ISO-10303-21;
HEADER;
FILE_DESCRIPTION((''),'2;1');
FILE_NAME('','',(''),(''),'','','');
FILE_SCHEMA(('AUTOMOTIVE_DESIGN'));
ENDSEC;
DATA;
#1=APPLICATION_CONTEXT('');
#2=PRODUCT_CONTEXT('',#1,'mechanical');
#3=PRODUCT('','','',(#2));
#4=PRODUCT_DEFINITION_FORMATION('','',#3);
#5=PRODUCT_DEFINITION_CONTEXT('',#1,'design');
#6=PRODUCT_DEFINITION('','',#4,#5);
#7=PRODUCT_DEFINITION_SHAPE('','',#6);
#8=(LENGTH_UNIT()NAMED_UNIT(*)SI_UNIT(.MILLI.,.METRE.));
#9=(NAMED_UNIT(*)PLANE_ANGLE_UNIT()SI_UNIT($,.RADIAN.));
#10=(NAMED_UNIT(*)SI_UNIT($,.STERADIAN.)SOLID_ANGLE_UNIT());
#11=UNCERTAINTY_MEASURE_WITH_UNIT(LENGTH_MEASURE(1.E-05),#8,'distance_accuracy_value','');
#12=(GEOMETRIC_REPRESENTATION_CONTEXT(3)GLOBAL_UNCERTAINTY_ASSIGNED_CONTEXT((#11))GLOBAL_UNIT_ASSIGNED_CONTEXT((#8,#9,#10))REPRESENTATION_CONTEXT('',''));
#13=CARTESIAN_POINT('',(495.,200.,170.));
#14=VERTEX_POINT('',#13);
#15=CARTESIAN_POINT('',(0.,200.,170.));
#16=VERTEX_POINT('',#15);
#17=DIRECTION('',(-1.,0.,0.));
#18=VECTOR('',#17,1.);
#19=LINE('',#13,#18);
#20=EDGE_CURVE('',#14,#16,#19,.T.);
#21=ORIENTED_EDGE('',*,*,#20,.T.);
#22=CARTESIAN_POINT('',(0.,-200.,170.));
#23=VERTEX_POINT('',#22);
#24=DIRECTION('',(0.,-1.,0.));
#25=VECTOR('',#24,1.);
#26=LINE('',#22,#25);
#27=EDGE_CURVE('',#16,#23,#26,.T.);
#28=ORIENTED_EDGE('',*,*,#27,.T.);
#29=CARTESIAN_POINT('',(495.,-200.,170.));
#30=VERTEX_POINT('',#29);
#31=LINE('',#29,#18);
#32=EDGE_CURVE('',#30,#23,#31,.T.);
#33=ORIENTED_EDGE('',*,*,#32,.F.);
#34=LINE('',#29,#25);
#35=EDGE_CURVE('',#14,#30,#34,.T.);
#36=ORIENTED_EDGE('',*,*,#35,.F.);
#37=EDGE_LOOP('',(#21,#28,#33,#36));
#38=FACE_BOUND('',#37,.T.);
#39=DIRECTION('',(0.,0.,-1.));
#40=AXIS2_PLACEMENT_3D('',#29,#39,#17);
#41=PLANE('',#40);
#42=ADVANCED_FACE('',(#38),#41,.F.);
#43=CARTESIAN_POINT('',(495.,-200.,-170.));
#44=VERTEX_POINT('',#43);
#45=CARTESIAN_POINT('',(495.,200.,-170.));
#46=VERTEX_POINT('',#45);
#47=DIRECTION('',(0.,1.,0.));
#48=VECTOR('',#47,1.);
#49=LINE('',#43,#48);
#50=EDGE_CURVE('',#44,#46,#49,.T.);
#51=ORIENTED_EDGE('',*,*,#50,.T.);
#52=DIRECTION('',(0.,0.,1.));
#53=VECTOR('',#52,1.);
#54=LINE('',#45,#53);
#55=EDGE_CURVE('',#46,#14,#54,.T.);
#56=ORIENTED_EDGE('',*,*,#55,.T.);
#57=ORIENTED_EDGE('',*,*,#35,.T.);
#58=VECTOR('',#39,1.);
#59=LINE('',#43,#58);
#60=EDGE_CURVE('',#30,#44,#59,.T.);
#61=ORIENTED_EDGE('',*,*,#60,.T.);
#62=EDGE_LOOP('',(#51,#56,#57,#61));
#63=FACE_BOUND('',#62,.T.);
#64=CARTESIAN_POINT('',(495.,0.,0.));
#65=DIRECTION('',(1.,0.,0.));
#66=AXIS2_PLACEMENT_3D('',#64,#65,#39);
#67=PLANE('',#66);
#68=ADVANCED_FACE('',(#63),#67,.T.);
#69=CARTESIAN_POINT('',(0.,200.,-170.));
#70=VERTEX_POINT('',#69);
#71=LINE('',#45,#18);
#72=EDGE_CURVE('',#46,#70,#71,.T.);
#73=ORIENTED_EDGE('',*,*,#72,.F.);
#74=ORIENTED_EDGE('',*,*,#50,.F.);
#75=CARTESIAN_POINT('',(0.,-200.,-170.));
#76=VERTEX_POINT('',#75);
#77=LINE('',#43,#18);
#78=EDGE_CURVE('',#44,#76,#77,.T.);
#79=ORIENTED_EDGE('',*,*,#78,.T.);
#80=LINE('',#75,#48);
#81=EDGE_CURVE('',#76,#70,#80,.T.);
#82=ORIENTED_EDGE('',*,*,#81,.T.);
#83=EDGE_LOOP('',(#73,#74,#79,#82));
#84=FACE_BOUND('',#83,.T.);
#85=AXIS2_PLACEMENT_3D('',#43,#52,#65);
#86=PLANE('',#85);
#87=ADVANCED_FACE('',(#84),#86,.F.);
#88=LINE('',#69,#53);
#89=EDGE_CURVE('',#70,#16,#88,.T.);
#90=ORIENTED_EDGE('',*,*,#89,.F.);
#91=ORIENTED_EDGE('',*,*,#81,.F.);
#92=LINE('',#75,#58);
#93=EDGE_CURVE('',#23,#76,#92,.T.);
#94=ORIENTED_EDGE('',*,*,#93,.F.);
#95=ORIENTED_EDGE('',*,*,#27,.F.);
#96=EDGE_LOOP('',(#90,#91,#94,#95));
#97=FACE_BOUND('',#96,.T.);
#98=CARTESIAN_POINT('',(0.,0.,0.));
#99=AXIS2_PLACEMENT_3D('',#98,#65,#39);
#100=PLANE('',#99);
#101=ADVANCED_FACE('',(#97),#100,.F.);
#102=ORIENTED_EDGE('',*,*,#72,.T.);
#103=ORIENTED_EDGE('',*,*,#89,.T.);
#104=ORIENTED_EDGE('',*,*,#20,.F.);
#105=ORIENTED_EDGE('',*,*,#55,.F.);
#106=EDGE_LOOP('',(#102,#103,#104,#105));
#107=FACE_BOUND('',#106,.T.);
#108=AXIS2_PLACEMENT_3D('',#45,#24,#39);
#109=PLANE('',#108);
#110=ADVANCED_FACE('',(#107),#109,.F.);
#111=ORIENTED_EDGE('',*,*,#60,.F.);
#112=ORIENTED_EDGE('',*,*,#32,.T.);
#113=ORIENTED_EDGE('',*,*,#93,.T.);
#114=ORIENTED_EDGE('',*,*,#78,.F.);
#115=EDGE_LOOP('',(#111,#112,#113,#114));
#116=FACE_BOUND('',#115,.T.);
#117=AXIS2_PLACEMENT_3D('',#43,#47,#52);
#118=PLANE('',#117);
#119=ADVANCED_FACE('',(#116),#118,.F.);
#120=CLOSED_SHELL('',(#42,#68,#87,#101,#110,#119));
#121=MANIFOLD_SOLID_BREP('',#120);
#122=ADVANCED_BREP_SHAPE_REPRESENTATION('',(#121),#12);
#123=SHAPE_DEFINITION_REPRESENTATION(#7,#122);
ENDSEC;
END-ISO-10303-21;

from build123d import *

# Parameters (mm, degrees)
SKETCH1_W           = 340
SKETCH1_H           = 400
BOSS_EXTRUDE1_DEPTH = 495


with BuildPart() as part:
    # Sketch1 → Boss-Extrude1 (new body)
    with BuildSketch(Plane(origin=(0, 0, 0), x_dir=(0, 0, -1), z_dir=(1, 0, 0))):
        Rectangle(SKETCH1_W, SKETCH1_H)
    extrude(amount=BOSS_EXTRUDE1_DEPTH)


solid = part.part
